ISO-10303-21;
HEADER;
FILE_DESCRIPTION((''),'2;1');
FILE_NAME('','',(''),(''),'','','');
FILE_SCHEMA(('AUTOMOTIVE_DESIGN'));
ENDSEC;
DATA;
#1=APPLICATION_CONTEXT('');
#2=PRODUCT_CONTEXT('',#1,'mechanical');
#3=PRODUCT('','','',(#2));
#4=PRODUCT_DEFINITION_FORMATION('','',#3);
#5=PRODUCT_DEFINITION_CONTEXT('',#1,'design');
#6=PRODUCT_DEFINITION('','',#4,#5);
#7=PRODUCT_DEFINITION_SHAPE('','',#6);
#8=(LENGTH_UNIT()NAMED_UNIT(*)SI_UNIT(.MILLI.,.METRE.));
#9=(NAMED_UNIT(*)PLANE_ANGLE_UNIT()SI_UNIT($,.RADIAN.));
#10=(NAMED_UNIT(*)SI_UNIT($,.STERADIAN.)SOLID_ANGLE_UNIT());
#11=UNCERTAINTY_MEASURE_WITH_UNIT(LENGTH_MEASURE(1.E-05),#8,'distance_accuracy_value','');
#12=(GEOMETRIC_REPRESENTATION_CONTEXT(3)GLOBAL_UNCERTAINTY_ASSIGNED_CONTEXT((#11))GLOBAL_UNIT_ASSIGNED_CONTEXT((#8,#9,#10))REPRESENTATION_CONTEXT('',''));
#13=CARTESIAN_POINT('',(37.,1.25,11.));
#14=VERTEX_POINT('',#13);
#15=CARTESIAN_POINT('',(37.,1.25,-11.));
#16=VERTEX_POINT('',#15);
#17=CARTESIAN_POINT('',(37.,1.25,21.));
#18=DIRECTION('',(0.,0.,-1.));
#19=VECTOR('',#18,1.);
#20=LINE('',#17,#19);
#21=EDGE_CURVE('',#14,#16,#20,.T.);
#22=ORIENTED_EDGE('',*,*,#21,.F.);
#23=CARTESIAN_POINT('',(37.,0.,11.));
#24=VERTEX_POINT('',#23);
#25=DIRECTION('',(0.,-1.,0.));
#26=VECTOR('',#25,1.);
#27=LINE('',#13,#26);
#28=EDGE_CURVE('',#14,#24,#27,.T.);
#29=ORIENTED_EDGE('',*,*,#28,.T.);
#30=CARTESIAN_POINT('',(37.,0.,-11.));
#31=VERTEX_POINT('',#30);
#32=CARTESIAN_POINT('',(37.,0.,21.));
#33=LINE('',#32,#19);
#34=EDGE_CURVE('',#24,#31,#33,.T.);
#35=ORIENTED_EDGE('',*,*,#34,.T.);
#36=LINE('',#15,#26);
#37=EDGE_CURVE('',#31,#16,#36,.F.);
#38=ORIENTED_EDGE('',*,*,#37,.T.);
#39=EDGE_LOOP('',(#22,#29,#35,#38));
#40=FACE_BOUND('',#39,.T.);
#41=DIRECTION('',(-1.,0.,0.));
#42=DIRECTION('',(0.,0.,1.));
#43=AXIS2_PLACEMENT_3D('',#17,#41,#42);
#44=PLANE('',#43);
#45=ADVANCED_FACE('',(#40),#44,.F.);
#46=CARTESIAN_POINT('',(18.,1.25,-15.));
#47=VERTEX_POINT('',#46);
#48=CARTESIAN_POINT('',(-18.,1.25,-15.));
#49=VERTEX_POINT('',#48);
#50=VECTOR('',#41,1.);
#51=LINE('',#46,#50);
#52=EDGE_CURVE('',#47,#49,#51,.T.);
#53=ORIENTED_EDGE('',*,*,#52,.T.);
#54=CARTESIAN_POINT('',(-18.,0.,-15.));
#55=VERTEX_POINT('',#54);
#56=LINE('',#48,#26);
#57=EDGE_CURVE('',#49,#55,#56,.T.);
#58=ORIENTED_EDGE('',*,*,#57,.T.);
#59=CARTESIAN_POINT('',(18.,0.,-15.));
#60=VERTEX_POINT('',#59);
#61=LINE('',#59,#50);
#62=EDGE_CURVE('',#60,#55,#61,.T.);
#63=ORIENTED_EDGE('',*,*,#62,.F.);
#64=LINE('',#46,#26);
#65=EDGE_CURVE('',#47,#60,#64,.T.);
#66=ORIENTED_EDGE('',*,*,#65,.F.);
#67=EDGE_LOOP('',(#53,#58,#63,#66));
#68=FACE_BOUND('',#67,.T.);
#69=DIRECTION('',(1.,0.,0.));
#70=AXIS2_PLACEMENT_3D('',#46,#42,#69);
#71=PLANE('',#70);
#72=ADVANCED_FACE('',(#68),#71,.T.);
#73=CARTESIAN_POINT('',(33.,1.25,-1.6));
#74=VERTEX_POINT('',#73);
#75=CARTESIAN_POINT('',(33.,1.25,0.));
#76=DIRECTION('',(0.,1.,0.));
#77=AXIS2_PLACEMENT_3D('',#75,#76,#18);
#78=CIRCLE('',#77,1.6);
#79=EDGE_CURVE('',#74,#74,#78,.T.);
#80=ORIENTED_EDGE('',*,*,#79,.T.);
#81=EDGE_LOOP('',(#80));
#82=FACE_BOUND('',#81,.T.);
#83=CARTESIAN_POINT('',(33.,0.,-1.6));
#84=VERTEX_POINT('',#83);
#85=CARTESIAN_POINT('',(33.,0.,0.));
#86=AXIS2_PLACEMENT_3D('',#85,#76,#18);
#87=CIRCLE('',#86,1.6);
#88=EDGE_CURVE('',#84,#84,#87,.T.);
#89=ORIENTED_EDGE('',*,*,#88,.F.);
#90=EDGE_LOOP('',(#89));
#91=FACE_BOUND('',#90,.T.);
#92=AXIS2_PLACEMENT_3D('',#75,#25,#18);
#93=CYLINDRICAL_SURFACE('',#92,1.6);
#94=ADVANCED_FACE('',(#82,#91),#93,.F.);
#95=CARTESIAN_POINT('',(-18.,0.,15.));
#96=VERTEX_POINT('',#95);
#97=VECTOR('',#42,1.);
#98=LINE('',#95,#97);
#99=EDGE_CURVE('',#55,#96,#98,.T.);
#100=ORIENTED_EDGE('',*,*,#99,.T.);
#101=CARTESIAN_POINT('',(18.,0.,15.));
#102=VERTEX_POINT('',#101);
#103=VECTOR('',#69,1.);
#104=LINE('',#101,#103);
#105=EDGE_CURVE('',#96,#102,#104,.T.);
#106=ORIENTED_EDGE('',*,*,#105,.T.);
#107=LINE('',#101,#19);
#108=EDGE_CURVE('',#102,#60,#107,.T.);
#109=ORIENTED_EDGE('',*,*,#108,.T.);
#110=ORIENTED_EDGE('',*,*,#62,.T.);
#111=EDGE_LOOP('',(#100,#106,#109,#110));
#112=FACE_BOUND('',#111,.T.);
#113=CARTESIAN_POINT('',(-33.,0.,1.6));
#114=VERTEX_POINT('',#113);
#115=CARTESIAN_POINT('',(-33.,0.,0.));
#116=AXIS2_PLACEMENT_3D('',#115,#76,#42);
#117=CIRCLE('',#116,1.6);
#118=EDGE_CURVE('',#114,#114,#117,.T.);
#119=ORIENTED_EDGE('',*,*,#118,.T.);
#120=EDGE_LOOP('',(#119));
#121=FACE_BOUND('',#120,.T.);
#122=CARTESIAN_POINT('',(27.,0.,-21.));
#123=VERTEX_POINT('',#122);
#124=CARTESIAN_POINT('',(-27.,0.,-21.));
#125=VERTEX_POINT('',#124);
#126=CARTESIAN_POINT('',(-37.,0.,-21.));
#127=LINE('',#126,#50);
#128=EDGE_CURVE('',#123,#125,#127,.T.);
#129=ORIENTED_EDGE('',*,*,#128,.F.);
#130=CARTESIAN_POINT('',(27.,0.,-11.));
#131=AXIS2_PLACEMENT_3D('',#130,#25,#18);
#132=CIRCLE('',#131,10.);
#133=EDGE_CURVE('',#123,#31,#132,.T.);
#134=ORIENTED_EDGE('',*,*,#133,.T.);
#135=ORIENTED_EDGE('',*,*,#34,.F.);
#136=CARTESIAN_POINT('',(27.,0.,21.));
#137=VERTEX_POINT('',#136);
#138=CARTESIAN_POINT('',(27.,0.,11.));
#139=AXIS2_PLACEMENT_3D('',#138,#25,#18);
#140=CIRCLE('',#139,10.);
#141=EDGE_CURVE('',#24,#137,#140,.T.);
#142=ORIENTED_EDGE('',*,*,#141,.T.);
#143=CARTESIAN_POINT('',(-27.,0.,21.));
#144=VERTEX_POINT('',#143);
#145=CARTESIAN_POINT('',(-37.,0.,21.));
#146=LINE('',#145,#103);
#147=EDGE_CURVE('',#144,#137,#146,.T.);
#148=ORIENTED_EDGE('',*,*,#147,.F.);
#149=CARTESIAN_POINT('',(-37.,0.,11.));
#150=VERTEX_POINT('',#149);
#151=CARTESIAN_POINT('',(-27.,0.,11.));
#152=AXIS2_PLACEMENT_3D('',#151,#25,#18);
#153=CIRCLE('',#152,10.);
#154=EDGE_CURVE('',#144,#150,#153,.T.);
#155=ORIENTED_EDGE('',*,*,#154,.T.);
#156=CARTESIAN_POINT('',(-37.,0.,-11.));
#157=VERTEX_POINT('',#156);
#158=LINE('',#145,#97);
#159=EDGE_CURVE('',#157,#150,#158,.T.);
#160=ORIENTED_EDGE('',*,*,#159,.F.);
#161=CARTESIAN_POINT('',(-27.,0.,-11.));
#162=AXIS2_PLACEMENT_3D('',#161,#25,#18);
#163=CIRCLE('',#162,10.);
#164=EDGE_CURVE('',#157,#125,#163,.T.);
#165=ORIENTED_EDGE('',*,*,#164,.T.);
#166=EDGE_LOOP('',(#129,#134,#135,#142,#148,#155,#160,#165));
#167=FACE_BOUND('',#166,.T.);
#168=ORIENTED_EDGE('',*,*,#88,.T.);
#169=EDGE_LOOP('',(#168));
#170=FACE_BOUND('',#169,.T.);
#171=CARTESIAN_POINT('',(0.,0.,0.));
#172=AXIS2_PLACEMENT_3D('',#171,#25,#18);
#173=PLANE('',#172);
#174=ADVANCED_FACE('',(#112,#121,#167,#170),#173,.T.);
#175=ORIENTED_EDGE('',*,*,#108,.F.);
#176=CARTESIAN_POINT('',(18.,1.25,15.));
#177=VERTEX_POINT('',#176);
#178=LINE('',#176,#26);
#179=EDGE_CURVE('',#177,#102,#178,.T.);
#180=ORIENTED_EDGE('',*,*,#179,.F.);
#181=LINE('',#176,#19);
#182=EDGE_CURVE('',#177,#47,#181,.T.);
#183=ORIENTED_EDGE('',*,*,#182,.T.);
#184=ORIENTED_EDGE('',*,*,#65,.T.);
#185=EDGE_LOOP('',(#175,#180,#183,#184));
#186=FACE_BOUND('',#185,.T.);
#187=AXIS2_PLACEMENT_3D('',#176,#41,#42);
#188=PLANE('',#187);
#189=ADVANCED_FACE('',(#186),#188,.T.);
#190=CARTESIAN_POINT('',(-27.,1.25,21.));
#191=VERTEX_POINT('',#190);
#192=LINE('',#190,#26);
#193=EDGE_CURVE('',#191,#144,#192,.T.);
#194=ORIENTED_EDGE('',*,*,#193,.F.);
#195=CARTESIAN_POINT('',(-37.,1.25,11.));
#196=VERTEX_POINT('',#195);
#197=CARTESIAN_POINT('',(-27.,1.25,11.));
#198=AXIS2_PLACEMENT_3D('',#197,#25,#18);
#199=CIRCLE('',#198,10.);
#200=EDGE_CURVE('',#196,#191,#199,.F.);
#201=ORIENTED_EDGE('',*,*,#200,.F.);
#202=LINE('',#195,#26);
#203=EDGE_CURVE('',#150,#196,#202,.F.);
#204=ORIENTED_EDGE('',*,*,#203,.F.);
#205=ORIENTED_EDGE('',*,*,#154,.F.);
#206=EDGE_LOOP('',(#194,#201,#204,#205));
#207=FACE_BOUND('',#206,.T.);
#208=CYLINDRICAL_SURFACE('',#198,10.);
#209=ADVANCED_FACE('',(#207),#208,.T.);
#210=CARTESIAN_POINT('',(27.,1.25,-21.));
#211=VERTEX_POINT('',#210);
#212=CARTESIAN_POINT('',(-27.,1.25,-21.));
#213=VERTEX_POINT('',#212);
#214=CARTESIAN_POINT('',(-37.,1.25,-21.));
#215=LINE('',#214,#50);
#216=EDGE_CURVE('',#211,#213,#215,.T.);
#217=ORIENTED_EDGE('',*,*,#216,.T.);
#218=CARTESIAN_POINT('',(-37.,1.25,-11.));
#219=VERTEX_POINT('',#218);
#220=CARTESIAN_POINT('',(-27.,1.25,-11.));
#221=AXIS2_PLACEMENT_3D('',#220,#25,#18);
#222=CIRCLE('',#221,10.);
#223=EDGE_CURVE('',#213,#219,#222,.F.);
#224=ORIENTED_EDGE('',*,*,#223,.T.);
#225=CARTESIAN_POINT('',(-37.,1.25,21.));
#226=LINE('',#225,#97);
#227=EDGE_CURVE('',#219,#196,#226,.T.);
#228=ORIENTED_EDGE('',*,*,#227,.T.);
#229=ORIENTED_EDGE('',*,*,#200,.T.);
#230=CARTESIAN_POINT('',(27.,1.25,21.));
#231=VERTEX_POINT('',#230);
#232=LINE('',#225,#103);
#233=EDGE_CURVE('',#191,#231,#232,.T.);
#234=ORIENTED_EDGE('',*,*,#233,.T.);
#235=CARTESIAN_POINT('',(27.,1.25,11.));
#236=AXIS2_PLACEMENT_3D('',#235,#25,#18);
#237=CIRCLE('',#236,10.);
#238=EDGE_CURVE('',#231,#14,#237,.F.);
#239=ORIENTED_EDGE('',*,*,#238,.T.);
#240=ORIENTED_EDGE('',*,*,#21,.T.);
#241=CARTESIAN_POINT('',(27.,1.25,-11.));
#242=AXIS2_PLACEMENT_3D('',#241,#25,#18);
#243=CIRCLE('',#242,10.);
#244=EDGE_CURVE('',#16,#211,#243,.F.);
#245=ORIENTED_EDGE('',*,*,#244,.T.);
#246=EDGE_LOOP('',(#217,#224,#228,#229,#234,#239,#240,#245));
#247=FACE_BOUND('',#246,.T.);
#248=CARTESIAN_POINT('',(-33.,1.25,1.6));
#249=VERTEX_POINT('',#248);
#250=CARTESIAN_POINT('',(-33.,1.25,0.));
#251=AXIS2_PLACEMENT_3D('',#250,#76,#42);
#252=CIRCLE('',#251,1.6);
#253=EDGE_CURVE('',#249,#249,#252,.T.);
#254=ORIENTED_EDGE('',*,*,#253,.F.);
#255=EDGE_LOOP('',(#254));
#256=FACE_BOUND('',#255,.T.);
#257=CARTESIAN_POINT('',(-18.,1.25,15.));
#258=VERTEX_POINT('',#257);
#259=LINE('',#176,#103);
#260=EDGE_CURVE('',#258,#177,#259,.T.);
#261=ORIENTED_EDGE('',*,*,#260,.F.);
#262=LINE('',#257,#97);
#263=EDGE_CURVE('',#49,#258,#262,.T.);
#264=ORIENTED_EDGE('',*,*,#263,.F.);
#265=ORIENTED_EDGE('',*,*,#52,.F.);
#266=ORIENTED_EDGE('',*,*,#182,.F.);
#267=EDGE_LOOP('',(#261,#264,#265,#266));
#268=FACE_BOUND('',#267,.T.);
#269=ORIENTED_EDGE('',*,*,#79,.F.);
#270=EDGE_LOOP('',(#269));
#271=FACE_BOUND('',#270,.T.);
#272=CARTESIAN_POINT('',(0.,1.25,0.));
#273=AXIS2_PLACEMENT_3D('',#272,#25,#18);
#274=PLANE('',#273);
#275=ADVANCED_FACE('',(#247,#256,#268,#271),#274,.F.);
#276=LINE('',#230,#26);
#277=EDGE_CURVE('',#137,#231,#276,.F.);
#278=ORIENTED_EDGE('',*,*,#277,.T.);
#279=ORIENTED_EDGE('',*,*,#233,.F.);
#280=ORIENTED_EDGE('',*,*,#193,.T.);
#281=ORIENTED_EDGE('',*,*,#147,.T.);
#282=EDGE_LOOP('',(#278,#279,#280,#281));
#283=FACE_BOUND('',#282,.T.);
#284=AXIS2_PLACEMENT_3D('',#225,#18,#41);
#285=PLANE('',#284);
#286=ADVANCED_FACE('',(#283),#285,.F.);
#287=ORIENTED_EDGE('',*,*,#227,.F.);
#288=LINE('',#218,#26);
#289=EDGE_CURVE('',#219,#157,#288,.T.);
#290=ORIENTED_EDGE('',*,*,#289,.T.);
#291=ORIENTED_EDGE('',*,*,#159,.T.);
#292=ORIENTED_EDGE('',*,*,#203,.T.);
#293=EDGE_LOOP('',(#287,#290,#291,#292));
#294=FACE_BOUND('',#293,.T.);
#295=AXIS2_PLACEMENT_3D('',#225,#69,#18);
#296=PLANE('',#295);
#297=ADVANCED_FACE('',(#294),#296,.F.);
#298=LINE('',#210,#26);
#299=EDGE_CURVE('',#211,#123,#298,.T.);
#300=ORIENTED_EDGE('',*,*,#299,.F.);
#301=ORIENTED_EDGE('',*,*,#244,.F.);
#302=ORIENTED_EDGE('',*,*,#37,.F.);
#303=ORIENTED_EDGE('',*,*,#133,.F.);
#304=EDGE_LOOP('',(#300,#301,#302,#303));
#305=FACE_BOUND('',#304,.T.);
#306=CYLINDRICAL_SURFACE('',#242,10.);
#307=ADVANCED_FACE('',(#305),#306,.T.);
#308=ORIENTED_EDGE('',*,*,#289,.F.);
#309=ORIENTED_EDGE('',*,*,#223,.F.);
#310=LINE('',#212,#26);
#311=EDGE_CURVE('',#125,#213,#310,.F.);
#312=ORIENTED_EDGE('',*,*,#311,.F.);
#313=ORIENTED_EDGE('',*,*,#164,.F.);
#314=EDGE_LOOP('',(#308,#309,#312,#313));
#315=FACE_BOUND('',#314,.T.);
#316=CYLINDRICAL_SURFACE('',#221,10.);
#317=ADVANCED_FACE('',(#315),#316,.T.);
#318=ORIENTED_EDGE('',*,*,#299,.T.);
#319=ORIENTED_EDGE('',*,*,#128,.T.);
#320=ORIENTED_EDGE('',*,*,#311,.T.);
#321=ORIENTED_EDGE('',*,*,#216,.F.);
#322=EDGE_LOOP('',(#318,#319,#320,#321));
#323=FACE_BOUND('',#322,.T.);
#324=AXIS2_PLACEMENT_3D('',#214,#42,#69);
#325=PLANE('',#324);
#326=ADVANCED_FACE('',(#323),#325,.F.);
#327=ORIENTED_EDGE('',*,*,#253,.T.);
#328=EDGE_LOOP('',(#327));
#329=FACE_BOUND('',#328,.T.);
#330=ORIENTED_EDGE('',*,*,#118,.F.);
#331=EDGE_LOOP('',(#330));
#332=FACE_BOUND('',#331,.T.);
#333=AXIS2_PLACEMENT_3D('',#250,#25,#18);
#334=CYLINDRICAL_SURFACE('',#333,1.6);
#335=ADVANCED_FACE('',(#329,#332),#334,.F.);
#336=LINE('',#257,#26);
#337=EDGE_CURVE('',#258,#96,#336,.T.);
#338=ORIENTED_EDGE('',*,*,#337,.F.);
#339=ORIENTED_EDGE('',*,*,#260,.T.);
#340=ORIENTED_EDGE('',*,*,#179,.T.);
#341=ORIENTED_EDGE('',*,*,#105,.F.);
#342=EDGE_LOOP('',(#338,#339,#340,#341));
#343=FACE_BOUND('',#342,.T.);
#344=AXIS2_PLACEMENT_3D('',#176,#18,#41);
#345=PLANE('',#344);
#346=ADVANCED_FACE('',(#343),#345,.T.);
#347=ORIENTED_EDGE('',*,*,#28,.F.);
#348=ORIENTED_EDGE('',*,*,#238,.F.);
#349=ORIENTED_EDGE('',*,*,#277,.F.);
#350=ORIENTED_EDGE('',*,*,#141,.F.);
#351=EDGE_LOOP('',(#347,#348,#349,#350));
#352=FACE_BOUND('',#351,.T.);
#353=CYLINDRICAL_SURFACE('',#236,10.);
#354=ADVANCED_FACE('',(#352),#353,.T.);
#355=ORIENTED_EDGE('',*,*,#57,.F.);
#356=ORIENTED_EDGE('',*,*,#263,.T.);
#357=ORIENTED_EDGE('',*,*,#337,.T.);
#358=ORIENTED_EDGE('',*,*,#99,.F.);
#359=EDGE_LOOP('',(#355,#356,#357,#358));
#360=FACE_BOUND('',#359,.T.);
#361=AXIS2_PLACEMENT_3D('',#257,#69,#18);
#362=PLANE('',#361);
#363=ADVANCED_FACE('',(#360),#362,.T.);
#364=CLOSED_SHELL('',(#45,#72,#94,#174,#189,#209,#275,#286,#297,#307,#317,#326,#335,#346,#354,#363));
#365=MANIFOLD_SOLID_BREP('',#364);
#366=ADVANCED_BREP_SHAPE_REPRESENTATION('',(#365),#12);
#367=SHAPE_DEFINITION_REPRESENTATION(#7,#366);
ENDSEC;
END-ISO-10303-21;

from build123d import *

# Parameters (mm, degrees)
SKETCH1_W           = 74
SKETCH1_H           = 42
SKETCH1_R           = 1.6
SKETCH1_W_2         = 36
SKETCH1_H_2         = 30
BOSS_EXTRUDE1_DEPTH = 1.25
FILLET1_R           = 10


with BuildPart() as part:
    # Sketch1 → Boss-Extrude1 (new body)
    with BuildSketch(Plane(origin=(0, 0, 0), x_dir=(1, 0, 0), z_dir=(0, 1, 0))):
        Rectangle(SKETCH1_W, SKETCH1_H)
        with Locations(Location((-33, 0, 0), (0, 0, 270))):
            Circle(SKETCH1_R, mode=Mode.SUBTRACT)
        with Locations(Location((33, 0, 0), (0, 0, 90))):
            Circle(SKETCH1_R, mode=Mode.SUBTRACT)
        Rectangle(SKETCH1_W_2, SKETCH1_H_2, mode=Mode.SUBTRACT)
    extrude(amount=BOSS_EXTRUDE1_DEPTH)

    # Fillet1
    fillet1_edges = [part.edges().sort_by_distance(p)[0] for p in [
        (37, 0.625, 21),
        (-37, 0.625, 21),
        (-37, 0.625, -21),
        (37, 0.625, -21),
    ]]
    fillet(fillet1_edges, radius=FILLET1_R)


solid = part.part
